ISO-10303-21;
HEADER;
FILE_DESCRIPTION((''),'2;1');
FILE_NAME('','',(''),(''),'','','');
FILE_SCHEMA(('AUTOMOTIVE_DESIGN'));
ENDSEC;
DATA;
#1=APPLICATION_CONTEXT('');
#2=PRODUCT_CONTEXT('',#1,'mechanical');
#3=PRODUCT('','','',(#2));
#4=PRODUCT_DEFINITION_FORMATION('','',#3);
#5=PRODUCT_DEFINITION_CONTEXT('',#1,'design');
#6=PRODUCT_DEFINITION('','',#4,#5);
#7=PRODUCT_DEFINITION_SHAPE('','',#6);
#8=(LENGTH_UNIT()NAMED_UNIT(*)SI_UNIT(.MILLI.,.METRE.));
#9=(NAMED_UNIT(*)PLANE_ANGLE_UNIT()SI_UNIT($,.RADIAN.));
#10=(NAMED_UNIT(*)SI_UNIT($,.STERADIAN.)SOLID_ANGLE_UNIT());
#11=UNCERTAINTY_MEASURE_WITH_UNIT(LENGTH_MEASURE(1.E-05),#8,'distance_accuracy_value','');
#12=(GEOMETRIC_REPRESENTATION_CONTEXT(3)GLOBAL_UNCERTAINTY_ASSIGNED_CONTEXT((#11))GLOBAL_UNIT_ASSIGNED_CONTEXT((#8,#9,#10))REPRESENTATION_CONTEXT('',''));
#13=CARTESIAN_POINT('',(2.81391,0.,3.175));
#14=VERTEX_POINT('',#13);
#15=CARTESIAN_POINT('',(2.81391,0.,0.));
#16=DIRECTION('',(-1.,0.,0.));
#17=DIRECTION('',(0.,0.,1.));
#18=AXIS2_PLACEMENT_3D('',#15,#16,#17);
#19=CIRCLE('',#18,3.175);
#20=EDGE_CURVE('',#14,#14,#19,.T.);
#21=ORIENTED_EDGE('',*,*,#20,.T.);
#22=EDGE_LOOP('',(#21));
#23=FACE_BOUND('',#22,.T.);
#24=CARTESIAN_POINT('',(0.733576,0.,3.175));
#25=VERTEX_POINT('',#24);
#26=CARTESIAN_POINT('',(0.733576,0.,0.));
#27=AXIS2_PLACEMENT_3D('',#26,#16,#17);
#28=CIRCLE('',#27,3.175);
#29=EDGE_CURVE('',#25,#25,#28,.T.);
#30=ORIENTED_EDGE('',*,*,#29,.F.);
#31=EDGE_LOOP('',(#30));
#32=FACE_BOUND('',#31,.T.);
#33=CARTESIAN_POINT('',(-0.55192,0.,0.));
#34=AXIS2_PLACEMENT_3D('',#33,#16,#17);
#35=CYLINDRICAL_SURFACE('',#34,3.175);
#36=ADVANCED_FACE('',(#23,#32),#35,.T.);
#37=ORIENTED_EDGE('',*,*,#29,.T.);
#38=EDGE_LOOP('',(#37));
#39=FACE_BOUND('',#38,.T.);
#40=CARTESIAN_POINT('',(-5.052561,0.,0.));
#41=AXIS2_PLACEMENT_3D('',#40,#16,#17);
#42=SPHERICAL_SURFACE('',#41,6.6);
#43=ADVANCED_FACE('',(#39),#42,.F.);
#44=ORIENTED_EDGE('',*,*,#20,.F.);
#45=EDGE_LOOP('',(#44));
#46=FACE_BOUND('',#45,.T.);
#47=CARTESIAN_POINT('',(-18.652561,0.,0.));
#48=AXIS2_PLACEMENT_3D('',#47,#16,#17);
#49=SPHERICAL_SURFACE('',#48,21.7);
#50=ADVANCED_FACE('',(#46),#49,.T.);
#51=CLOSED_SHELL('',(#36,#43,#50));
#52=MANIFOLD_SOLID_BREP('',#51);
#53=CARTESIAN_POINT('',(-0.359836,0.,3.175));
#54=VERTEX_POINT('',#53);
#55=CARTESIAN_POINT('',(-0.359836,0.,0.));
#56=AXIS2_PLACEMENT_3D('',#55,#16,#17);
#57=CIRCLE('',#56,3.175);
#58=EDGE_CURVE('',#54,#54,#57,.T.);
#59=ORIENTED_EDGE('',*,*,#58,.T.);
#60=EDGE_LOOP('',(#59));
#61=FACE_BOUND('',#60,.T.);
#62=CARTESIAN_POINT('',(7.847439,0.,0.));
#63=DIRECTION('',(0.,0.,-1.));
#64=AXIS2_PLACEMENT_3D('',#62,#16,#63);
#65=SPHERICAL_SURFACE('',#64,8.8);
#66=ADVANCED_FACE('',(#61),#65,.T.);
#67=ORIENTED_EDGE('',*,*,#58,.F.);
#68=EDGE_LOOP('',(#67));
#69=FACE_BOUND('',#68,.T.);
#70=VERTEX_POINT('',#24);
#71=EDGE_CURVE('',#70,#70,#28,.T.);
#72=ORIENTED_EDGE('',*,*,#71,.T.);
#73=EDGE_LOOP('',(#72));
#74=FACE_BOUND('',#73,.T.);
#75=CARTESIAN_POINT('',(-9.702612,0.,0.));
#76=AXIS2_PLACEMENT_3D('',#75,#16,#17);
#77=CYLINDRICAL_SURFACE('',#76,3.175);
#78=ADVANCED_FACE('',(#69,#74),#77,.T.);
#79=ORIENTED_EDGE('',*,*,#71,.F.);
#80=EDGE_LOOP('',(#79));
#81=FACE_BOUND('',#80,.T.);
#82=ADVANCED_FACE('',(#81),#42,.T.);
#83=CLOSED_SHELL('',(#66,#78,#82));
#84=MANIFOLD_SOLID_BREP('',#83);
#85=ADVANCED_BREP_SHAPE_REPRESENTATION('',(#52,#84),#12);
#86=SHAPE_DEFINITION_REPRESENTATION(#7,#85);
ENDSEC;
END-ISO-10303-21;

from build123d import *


with BuildPart() as part:
    # 草图1 one side → 旋转1 (revolve)
    with BuildSketch(Plane(origin=(0, 0, 0), x_dir=(1, 0, 0), z_dir=(0, 1, 0)), mode=Mode.PRIVATE) as revolve_1_sk:
        with BuildLine():
            ThreePointArc((-0.359836309, 3.175), (-0.803110454, 1.614926241), (-0.952560574, 0))
            Line((-0.952560574, 0), (1.547439426, 0))
            ThreePointArc((1.547439426, 0), (1.340736719, 1.638825714), (0.733575875, 3.175))
            Line((0.733575875, 3.175), (-0.359836309, 3.175))
        make_face()
    revolve(revolve_1_sk.sketch.rotate(Axis((-9.702612178, 0, 0), (1, 0, 0)), 180), axis=Axis((-9.702612178, 0, 0), (1, 0, 0)))  # turned: the seam where the file's is


with BuildPart() as body_2:
    # 草图2 one side → 旋转3 (revolve)
    with BuildSketch(Plane(origin=(0, 0, 0), x_dir=(1, 0, 0), z_dir=(0, 1, 0)), mode=Mode.PRIVATE) as revolve_3_sk:
        with BuildLine():
            Line((2.813910375, 3.175), (0.733575875, 3.175))
            ThreePointArc((0.733575875, 3.175), (1.340736719, 1.638825714), (1.547439426, 0))
            Line((1.547439426, 0), (3.047439426, 0))
            ThreePointArc((3.047439426, 0), (2.988978415, 1.591788367), (2.813910375, 3.175))
        make_face()
    revolve(revolve_3_sk.sketch.rotate(Axis((-0.551919993, 0, 0), (1, 0, 0)), 180), axis=Axis((-0.551919993, 0, 0), (1, 0, 0)))  # turned: the seam where the file's is


solid = Compound([part.part, body_2.part])
